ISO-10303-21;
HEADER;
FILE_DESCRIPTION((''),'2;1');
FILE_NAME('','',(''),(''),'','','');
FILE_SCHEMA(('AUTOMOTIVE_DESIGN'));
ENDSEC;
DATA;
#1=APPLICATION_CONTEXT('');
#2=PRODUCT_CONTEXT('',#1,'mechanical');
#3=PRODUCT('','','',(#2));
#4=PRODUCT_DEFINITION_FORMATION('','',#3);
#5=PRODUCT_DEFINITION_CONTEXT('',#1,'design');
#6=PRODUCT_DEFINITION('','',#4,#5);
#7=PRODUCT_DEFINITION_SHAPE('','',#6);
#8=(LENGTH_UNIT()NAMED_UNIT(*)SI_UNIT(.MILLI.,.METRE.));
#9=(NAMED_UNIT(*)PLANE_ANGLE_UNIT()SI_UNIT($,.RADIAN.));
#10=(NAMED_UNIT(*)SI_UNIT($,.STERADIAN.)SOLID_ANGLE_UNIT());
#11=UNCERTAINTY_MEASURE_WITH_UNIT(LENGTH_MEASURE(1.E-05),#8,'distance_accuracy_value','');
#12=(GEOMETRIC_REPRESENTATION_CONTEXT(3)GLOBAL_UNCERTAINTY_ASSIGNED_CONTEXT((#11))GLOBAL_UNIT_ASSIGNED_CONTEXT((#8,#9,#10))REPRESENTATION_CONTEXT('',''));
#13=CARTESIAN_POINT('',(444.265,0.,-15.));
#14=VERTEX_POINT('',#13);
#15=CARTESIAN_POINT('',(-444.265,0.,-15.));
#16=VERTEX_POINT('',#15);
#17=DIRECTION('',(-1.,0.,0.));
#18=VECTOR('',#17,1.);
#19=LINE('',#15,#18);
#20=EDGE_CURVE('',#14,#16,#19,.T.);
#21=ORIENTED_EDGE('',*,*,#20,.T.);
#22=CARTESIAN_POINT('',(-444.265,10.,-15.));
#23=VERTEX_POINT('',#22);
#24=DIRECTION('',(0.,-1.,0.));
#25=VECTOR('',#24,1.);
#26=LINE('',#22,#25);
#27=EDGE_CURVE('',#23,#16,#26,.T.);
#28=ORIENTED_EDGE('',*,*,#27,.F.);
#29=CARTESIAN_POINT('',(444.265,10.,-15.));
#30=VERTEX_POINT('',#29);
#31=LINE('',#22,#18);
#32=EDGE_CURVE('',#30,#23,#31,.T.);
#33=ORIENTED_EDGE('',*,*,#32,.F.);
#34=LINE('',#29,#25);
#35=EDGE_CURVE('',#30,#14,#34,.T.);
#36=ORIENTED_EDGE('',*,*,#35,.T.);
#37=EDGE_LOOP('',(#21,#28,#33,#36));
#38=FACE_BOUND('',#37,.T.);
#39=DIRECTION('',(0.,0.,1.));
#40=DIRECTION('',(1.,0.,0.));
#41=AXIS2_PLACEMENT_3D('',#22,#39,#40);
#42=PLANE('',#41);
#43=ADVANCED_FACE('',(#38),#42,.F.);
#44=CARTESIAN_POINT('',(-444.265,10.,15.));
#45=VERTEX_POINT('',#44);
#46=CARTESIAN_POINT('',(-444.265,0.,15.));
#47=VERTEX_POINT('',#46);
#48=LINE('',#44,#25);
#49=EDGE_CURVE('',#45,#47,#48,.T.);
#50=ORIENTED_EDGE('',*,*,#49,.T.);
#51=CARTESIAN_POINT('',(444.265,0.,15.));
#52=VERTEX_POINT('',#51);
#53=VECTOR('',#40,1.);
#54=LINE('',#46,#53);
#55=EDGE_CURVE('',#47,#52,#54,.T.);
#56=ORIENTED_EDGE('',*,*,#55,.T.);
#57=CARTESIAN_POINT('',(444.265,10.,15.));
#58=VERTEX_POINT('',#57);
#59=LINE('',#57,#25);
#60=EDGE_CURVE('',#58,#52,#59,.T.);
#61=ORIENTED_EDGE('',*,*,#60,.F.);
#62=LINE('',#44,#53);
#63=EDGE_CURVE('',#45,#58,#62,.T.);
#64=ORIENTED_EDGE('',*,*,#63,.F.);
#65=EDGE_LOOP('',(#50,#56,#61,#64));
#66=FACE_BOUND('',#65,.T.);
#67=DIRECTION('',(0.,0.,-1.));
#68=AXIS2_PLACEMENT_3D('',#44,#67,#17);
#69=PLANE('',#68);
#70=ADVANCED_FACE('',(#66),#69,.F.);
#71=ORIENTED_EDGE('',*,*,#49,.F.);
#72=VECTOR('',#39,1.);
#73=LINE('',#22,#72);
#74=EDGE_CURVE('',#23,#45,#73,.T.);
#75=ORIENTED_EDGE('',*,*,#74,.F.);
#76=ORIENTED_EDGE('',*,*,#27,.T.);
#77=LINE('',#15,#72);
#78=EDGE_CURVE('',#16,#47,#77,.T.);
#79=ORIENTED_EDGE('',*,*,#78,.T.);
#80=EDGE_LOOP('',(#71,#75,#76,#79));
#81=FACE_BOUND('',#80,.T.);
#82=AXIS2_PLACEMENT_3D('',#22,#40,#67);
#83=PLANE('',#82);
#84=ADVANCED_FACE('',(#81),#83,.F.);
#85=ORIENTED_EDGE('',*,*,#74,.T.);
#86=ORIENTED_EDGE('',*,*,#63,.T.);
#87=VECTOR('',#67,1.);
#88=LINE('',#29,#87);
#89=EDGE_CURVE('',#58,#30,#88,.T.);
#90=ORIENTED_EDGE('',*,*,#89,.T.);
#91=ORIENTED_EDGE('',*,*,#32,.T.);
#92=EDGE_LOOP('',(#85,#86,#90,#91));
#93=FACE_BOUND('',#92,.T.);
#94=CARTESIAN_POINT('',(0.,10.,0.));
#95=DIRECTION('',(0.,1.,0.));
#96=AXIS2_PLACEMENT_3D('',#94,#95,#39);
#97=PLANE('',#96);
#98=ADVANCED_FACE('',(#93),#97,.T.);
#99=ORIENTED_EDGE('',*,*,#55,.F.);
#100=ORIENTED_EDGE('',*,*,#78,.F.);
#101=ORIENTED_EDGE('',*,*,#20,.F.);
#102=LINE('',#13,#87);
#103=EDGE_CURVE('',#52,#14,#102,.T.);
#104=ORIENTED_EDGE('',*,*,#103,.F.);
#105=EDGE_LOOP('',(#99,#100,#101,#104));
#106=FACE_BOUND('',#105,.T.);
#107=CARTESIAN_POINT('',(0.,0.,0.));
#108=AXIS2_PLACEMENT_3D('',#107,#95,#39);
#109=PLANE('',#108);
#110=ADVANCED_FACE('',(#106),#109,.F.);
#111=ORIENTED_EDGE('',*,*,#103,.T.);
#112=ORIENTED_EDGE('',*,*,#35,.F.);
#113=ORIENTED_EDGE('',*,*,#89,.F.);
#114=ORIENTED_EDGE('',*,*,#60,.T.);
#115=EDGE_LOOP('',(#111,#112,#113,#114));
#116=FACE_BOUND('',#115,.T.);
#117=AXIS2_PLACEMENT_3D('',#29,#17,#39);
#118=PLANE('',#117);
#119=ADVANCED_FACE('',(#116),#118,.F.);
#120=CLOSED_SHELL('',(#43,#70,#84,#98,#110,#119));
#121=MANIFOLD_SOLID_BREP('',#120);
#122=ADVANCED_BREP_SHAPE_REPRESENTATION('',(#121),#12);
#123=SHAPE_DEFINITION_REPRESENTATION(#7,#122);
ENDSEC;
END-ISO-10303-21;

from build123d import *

# Parameters (mm, degrees)
SKETCH1_W           = 888.53
SKETCH1_H           = 30
BOSS_EXTRUDE1_DEPTH = 10


with BuildPart() as part:
    # Sketch1 → Boss-Extrude1 (new body)
    with BuildSketch(Plane(origin=(0, 0, 0), x_dir=(1, 0, 0), z_dir=(0, 1, 0))):
        Rectangle(SKETCH1_W, SKETCH1_H)
    extrude(amount=BOSS_EXTRUDE1_DEPTH)


solid = part.part
